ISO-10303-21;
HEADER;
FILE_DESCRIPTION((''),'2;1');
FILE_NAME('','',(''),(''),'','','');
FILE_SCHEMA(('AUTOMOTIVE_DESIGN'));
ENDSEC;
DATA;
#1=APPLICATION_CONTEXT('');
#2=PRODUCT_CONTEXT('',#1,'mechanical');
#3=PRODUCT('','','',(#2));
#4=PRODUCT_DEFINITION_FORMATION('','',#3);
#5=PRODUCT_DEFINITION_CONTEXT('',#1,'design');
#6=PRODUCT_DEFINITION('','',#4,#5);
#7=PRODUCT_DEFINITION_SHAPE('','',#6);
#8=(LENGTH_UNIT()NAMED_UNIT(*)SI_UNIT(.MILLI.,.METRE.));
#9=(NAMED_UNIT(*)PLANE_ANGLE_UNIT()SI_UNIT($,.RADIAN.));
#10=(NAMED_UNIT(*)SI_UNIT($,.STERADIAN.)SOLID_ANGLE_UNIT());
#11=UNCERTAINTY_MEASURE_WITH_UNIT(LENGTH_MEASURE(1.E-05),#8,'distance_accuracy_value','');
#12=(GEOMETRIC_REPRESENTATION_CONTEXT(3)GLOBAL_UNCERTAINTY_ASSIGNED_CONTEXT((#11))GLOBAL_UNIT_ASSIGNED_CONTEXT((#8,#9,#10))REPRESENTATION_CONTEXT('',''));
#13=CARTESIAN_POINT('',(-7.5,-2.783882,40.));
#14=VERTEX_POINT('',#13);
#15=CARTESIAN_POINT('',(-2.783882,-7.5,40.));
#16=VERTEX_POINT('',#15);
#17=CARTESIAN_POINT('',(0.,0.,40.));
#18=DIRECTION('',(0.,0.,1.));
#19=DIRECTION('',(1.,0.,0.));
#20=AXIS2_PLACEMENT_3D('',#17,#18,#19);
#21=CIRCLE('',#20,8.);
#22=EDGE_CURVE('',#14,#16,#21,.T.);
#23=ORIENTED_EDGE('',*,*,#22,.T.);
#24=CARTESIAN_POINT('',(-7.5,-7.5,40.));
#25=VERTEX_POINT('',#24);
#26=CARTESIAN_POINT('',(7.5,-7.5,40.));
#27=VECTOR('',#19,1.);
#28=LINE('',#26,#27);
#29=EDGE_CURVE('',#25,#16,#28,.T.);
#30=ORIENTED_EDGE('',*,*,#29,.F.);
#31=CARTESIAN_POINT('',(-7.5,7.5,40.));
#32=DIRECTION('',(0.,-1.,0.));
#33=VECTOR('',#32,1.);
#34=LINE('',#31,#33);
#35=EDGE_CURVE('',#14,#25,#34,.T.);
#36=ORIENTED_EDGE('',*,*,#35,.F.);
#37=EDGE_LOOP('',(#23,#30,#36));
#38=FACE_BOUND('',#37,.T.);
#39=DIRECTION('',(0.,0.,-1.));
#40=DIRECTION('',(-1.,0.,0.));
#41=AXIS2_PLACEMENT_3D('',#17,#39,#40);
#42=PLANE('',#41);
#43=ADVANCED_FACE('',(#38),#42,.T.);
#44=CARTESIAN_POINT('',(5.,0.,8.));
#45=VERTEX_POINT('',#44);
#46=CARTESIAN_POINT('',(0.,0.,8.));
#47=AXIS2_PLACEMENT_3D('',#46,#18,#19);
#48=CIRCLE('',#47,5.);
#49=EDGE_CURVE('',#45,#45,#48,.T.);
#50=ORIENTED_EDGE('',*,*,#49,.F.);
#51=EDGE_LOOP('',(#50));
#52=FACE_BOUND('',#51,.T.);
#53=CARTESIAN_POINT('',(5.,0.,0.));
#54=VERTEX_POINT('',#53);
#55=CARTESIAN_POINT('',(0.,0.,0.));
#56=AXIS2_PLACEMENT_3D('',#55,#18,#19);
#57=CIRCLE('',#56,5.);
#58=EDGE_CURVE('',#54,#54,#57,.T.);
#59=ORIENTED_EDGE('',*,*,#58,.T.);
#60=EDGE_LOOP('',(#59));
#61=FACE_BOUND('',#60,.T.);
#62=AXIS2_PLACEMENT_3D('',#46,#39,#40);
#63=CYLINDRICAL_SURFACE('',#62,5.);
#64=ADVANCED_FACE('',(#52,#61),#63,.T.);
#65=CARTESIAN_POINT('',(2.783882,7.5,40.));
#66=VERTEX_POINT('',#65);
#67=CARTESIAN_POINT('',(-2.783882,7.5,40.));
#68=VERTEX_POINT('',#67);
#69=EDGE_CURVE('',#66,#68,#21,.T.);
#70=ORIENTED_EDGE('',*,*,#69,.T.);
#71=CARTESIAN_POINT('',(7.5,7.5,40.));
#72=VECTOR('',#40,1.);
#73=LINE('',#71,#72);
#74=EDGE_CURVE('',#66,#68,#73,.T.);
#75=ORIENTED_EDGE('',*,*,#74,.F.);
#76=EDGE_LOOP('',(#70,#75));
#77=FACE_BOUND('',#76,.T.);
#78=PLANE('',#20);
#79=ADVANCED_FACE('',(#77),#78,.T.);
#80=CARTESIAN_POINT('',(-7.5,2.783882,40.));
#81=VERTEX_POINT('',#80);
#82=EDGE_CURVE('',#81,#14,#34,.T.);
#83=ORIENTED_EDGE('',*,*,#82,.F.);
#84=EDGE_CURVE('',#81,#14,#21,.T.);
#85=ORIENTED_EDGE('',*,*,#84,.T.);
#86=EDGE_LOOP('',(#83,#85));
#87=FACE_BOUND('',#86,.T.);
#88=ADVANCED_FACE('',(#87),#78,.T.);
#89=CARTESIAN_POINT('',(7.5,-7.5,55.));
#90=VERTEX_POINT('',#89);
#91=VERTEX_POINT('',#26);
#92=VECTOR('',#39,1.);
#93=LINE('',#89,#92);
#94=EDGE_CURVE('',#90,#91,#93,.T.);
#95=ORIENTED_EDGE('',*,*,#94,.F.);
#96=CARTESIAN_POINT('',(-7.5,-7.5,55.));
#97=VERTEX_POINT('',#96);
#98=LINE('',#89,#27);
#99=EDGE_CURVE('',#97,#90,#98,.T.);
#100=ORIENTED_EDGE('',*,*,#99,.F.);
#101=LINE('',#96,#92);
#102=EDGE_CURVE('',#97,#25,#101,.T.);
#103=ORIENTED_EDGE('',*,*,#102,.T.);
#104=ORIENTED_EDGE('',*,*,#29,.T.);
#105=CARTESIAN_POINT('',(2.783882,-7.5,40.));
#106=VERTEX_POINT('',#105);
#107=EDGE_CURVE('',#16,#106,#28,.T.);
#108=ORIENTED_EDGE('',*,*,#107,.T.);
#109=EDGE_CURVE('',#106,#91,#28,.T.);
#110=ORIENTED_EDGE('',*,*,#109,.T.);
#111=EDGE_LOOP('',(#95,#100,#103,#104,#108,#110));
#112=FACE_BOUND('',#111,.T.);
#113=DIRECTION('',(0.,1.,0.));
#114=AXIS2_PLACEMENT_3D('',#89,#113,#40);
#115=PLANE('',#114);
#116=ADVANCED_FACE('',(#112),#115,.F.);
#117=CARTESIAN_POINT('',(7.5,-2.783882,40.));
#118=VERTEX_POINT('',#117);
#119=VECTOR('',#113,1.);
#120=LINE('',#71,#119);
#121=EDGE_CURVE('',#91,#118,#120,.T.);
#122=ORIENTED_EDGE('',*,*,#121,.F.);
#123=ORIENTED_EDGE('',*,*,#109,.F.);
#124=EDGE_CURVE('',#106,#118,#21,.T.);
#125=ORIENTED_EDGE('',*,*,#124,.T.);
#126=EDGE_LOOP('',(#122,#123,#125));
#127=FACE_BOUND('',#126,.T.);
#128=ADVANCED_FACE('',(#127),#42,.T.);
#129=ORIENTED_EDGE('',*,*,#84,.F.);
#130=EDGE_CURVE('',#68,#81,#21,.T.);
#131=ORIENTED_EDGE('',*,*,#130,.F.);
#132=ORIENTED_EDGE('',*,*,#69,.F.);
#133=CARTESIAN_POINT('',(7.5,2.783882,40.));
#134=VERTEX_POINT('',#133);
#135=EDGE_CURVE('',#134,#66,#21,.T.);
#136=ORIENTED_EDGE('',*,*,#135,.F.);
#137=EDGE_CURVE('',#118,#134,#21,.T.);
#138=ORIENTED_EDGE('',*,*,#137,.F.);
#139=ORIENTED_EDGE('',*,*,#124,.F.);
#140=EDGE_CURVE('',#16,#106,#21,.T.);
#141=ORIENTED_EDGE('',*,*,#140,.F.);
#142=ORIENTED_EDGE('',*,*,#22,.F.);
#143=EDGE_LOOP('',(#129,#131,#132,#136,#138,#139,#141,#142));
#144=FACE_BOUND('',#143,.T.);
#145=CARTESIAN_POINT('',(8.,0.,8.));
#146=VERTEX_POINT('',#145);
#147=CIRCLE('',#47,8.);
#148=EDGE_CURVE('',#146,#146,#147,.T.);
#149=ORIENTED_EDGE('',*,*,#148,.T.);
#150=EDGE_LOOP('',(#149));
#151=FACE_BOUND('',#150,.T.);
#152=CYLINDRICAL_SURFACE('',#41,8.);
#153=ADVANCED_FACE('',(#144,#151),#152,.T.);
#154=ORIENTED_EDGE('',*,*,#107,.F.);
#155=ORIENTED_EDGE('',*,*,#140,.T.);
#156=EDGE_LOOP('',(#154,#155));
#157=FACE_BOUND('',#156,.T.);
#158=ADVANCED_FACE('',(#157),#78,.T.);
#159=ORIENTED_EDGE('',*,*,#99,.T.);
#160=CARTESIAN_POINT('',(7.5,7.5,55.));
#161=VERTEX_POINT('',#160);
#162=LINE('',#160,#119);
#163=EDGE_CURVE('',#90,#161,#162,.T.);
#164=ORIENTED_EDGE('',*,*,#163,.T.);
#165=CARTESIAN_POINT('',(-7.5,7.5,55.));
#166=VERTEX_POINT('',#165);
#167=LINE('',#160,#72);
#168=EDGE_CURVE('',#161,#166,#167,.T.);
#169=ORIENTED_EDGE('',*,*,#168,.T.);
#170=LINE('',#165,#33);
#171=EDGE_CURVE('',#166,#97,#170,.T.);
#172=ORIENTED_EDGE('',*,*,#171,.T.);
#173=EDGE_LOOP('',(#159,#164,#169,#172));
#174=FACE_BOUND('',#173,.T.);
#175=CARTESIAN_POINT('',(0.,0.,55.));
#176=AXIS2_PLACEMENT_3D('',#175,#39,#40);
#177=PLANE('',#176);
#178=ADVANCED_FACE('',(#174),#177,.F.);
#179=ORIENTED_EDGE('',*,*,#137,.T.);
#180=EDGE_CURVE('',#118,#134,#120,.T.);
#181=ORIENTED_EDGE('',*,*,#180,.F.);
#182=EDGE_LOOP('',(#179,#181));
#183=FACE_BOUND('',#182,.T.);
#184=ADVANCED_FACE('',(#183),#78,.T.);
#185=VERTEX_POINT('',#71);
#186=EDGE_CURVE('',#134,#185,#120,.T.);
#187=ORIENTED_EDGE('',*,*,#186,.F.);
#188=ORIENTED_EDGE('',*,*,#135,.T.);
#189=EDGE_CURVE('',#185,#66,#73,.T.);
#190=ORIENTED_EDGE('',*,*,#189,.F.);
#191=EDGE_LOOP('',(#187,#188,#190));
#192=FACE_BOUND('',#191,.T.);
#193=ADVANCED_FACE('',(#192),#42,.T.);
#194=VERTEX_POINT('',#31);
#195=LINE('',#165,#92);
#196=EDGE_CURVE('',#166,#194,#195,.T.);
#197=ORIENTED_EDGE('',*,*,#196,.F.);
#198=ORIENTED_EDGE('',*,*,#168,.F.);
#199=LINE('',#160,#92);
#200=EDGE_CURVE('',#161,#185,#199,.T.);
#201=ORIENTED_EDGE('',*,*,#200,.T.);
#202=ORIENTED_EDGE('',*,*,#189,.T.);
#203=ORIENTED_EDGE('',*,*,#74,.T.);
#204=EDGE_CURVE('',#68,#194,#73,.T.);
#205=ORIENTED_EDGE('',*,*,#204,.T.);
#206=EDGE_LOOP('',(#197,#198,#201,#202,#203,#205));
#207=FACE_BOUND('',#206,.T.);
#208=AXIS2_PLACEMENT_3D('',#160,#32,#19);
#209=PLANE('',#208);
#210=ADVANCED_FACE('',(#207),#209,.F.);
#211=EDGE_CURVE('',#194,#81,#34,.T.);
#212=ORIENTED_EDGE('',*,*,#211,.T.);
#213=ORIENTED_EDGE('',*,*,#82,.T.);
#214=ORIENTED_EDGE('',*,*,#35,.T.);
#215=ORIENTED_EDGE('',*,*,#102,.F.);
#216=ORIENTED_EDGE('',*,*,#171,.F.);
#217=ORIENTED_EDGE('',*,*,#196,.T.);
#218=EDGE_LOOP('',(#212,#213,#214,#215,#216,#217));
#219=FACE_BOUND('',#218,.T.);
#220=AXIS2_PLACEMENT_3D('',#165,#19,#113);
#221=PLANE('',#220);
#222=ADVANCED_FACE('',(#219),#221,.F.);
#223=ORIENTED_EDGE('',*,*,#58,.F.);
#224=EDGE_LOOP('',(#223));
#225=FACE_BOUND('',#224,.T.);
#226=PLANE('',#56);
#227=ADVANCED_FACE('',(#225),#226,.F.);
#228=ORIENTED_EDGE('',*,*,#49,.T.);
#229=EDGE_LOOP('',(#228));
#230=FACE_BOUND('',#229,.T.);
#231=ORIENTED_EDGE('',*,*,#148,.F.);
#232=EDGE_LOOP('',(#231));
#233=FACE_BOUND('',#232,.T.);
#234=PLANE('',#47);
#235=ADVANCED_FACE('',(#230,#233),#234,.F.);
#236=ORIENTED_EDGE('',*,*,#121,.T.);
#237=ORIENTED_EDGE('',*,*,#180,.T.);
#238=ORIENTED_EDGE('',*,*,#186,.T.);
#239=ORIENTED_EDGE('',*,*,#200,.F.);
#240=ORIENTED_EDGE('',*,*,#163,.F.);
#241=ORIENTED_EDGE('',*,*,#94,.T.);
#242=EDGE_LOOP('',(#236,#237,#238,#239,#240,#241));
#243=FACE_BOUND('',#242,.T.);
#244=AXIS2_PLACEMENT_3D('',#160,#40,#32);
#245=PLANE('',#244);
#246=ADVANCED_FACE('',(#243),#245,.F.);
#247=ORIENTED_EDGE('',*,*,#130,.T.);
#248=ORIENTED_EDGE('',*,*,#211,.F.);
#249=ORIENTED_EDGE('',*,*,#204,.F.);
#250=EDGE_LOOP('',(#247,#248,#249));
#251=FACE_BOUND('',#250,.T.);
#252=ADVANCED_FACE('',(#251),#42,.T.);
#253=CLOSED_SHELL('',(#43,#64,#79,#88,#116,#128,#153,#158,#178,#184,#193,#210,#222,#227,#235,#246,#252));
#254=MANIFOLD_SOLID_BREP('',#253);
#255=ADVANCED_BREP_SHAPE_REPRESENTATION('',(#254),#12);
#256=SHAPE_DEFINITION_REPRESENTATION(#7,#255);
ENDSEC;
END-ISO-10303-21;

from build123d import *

# Parameters (mm, degrees)
SKETCH1_R           = 5
BOSS_EXTRUDE1_DEPTH = 8
SKETCH2_R           = 8
BOSS_EXTRUDE2_DEPTH = 32
SKETCH3_W           = 15
SKETCH3_H           = 15
BOSS_EXTRUDE3_DEPTH = 15


with BuildPart() as part:
    # Sketch1 → Boss-Extrude1 (new body)
    with BuildSketch(Plane.XY):
        Circle(SKETCH1_R)
    extrude(amount=BOSS_EXTRUDE1_DEPTH)

    # Sketch2 → Boss-Extrude2 (add)
    with BuildSketch(Plane.XY.offset(8)):
        Circle(SKETCH2_R)
    extrude(amount=BOSS_EXTRUDE2_DEPTH)

    # Sketch3 → Boss-Extrude3 (add)
    with BuildSketch(Plane.XY.offset(40)):
        Rectangle(SKETCH3_W, SKETCH3_H)
    extrude(amount=BOSS_EXTRUDE3_DEPTH)


solid = part.part
